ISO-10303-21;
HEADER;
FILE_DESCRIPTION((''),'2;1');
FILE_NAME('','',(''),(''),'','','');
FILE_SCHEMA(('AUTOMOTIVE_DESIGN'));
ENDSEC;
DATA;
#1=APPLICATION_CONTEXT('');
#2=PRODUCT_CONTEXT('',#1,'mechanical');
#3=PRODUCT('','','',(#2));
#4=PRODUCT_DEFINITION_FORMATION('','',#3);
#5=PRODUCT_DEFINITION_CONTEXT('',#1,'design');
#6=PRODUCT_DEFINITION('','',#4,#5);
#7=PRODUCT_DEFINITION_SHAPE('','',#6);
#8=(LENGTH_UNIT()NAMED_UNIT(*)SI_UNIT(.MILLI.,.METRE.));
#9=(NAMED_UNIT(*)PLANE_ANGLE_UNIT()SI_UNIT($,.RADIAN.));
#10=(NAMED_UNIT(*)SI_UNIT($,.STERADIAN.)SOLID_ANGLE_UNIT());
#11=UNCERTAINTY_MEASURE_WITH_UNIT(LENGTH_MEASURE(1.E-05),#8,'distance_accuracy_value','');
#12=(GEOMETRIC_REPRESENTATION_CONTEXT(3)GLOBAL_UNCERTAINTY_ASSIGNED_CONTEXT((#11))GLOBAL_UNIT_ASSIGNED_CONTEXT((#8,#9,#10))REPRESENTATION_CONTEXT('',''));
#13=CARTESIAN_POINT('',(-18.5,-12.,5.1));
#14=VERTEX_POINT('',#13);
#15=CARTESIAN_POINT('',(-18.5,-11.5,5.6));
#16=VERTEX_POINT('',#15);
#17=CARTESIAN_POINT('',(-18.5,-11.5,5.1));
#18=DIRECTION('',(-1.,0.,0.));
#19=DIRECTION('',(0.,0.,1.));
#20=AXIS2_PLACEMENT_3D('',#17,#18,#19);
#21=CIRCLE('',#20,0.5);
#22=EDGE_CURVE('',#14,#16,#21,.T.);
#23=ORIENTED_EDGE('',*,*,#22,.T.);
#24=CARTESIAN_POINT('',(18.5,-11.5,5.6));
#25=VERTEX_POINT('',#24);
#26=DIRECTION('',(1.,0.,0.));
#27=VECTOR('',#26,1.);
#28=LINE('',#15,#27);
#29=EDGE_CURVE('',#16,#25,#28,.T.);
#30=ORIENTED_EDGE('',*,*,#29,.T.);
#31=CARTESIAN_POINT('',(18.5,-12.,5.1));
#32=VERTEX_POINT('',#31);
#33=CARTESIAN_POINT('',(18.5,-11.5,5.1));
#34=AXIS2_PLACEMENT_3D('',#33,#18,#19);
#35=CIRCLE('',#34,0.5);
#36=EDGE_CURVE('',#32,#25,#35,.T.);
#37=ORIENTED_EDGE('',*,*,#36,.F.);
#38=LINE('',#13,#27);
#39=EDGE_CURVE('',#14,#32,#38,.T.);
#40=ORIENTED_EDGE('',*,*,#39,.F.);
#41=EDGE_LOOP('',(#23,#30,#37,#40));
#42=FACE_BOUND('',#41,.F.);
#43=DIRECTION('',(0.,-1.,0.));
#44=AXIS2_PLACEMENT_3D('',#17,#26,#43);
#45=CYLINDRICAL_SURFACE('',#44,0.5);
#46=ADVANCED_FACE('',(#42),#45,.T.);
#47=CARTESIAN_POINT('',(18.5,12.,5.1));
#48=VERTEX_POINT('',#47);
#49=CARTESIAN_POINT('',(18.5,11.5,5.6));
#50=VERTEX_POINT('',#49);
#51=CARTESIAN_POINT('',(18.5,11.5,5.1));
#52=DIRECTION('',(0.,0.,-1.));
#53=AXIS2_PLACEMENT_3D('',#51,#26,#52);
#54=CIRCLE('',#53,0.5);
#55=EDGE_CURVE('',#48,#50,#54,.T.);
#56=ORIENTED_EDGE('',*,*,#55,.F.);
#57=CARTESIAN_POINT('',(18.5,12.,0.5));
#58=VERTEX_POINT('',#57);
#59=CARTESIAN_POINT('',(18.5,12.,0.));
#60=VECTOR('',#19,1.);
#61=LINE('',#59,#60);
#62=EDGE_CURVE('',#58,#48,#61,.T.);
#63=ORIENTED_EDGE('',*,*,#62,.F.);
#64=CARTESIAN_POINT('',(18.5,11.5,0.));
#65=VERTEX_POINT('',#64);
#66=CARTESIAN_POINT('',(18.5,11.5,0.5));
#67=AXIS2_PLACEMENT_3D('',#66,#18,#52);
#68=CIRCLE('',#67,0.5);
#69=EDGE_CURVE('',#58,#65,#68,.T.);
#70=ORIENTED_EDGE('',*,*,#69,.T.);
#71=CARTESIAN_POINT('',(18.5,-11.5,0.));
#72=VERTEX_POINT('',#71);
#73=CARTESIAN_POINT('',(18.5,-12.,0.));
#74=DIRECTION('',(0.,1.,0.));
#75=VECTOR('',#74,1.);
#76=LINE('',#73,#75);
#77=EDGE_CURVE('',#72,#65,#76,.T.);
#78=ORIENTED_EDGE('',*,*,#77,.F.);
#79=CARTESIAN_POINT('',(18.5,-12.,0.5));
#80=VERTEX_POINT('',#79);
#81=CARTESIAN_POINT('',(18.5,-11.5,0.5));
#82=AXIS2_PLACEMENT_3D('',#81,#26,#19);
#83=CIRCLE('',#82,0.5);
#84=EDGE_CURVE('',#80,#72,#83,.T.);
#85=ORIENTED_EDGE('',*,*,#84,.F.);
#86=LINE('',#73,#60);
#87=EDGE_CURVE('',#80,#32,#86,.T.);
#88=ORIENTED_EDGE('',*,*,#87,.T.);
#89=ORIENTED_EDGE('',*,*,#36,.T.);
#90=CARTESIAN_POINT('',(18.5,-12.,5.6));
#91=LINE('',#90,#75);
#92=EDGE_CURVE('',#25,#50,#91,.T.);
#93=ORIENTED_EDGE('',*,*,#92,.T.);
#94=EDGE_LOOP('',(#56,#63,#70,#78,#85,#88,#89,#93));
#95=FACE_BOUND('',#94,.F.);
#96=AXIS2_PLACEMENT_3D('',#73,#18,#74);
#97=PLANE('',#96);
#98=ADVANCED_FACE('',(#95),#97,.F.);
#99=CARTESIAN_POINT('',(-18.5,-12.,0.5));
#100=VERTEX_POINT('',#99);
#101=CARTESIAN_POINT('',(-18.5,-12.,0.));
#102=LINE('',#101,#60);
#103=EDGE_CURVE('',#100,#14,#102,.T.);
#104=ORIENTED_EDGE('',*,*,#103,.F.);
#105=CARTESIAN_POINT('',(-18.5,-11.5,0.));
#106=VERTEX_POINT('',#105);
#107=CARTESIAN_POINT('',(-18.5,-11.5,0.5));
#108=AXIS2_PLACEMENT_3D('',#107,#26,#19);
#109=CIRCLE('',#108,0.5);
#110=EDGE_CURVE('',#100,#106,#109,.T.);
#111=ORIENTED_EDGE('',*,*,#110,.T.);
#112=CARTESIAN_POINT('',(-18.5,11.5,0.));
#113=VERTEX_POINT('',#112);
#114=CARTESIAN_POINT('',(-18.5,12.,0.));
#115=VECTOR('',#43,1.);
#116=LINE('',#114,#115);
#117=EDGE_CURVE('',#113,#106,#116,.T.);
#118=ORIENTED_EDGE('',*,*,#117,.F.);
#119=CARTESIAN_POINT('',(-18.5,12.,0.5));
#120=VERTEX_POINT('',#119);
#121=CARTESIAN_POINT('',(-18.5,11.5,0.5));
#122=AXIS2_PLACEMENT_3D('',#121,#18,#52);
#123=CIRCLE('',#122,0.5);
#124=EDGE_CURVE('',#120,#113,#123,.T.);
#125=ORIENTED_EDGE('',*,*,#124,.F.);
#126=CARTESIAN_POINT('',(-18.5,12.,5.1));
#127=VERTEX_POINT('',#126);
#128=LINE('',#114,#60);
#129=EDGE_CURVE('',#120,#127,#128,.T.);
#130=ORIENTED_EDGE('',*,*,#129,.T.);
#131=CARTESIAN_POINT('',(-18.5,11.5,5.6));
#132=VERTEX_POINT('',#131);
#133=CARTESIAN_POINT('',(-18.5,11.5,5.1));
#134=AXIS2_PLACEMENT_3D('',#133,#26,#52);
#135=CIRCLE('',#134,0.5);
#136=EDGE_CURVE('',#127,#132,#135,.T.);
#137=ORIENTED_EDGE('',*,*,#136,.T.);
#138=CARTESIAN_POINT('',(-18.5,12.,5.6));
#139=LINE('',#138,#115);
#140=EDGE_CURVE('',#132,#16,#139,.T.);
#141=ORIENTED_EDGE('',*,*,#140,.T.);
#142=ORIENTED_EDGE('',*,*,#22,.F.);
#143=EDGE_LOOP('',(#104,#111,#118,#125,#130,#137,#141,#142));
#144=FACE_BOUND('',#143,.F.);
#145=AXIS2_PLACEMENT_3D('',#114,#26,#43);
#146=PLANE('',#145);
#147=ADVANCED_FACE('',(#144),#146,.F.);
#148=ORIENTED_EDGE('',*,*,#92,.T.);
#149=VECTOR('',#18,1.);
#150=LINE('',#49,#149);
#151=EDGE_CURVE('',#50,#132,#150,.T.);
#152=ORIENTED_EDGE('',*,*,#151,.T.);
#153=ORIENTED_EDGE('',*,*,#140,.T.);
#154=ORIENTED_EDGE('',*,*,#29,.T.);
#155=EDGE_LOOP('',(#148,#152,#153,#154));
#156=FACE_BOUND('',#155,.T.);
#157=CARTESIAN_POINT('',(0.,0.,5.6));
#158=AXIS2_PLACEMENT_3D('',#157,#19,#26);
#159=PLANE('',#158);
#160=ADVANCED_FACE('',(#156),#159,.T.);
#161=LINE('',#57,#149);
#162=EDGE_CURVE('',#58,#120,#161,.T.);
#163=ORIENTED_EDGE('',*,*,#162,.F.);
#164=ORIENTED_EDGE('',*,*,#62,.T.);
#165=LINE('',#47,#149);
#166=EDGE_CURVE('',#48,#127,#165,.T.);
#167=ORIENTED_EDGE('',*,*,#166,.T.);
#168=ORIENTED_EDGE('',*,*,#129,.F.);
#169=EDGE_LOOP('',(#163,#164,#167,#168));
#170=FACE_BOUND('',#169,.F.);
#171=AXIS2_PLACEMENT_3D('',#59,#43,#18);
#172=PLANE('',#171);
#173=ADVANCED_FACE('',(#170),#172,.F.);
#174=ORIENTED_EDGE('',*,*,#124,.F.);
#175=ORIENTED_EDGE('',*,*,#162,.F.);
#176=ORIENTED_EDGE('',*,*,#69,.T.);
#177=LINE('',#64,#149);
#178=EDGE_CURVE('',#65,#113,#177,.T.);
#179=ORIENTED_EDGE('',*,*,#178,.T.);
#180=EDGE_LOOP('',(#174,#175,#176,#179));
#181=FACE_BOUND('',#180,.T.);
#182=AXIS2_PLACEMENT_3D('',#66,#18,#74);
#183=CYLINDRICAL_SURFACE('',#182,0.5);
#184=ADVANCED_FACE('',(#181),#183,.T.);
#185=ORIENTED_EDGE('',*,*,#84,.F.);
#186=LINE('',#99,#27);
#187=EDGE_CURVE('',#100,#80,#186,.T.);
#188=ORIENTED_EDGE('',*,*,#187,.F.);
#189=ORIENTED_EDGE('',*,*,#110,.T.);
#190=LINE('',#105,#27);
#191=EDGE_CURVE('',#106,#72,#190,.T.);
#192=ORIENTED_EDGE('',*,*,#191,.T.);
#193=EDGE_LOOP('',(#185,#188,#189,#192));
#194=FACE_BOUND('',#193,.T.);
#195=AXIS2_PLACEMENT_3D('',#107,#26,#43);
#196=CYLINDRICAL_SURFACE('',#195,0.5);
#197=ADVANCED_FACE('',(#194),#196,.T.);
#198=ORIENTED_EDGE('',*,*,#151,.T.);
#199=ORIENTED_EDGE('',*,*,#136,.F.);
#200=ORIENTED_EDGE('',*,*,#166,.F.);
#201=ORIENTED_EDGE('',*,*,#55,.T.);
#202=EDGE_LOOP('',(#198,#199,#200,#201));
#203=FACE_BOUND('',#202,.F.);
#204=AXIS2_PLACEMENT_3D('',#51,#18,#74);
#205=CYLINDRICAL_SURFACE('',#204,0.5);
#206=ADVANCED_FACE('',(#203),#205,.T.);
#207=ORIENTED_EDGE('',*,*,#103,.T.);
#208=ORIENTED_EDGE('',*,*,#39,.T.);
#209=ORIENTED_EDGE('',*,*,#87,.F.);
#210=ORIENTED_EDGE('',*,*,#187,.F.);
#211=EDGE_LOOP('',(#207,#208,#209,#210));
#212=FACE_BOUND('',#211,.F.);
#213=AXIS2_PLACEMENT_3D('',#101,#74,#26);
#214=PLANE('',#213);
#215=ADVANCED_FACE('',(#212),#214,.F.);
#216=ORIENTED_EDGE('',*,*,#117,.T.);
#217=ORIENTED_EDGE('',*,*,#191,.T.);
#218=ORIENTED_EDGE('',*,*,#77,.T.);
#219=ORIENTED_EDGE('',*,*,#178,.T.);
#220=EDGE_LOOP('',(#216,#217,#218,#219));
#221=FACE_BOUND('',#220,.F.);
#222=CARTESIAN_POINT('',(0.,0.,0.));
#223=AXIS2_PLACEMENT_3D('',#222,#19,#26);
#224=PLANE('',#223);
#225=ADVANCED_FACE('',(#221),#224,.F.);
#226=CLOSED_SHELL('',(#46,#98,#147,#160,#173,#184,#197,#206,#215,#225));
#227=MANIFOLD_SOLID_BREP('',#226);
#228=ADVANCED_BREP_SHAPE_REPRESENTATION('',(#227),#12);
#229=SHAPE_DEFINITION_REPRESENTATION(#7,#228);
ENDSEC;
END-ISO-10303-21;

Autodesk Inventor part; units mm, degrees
ref_plane "YZ Plane" through (0, 0, 0) normal (1, 0, 0) x (0, 1, 0)
ref_plane "XZ Plane" through (0, 0, 0) normal (0, 1, 0) x (-1, 0, 0)
ref_plane "XY Plane" through (0, 0, 0) normal (0, 0, 1) x (1, 0, 0)
sketch "Sketch1" plane through (0, 0, 0) normal (0, 0, 1) x (1, 0, 0)
  line L0 (-18.5, -12) -> (18.5, -12)
  line L1 (18.5, -12) -> (18.5, 12)
  line L2 (18.5, 12) -> (-18.5, 12)
  line L3 (-18.5, 12) -> (-18.5, -12)
  line L4 (-18.5, -12) -> (18.5, 12) construction
  line L5 (18.5, -12) -> (-18.5, 12) construction
  point P0 (0, 0)
  dimension "d0" = 24
  dimension "d1" = 37
extrude "Extrusion1" add sketch "Sketch1" along normal blind 5.6
fillet "Fillet1" radius 0.5 4 edges at (0, 12, 5.6) (0, 12, 0) (0, -12, 5.6) (0, -12, 0)
properties part number "battery_40mah" material "Gold"
